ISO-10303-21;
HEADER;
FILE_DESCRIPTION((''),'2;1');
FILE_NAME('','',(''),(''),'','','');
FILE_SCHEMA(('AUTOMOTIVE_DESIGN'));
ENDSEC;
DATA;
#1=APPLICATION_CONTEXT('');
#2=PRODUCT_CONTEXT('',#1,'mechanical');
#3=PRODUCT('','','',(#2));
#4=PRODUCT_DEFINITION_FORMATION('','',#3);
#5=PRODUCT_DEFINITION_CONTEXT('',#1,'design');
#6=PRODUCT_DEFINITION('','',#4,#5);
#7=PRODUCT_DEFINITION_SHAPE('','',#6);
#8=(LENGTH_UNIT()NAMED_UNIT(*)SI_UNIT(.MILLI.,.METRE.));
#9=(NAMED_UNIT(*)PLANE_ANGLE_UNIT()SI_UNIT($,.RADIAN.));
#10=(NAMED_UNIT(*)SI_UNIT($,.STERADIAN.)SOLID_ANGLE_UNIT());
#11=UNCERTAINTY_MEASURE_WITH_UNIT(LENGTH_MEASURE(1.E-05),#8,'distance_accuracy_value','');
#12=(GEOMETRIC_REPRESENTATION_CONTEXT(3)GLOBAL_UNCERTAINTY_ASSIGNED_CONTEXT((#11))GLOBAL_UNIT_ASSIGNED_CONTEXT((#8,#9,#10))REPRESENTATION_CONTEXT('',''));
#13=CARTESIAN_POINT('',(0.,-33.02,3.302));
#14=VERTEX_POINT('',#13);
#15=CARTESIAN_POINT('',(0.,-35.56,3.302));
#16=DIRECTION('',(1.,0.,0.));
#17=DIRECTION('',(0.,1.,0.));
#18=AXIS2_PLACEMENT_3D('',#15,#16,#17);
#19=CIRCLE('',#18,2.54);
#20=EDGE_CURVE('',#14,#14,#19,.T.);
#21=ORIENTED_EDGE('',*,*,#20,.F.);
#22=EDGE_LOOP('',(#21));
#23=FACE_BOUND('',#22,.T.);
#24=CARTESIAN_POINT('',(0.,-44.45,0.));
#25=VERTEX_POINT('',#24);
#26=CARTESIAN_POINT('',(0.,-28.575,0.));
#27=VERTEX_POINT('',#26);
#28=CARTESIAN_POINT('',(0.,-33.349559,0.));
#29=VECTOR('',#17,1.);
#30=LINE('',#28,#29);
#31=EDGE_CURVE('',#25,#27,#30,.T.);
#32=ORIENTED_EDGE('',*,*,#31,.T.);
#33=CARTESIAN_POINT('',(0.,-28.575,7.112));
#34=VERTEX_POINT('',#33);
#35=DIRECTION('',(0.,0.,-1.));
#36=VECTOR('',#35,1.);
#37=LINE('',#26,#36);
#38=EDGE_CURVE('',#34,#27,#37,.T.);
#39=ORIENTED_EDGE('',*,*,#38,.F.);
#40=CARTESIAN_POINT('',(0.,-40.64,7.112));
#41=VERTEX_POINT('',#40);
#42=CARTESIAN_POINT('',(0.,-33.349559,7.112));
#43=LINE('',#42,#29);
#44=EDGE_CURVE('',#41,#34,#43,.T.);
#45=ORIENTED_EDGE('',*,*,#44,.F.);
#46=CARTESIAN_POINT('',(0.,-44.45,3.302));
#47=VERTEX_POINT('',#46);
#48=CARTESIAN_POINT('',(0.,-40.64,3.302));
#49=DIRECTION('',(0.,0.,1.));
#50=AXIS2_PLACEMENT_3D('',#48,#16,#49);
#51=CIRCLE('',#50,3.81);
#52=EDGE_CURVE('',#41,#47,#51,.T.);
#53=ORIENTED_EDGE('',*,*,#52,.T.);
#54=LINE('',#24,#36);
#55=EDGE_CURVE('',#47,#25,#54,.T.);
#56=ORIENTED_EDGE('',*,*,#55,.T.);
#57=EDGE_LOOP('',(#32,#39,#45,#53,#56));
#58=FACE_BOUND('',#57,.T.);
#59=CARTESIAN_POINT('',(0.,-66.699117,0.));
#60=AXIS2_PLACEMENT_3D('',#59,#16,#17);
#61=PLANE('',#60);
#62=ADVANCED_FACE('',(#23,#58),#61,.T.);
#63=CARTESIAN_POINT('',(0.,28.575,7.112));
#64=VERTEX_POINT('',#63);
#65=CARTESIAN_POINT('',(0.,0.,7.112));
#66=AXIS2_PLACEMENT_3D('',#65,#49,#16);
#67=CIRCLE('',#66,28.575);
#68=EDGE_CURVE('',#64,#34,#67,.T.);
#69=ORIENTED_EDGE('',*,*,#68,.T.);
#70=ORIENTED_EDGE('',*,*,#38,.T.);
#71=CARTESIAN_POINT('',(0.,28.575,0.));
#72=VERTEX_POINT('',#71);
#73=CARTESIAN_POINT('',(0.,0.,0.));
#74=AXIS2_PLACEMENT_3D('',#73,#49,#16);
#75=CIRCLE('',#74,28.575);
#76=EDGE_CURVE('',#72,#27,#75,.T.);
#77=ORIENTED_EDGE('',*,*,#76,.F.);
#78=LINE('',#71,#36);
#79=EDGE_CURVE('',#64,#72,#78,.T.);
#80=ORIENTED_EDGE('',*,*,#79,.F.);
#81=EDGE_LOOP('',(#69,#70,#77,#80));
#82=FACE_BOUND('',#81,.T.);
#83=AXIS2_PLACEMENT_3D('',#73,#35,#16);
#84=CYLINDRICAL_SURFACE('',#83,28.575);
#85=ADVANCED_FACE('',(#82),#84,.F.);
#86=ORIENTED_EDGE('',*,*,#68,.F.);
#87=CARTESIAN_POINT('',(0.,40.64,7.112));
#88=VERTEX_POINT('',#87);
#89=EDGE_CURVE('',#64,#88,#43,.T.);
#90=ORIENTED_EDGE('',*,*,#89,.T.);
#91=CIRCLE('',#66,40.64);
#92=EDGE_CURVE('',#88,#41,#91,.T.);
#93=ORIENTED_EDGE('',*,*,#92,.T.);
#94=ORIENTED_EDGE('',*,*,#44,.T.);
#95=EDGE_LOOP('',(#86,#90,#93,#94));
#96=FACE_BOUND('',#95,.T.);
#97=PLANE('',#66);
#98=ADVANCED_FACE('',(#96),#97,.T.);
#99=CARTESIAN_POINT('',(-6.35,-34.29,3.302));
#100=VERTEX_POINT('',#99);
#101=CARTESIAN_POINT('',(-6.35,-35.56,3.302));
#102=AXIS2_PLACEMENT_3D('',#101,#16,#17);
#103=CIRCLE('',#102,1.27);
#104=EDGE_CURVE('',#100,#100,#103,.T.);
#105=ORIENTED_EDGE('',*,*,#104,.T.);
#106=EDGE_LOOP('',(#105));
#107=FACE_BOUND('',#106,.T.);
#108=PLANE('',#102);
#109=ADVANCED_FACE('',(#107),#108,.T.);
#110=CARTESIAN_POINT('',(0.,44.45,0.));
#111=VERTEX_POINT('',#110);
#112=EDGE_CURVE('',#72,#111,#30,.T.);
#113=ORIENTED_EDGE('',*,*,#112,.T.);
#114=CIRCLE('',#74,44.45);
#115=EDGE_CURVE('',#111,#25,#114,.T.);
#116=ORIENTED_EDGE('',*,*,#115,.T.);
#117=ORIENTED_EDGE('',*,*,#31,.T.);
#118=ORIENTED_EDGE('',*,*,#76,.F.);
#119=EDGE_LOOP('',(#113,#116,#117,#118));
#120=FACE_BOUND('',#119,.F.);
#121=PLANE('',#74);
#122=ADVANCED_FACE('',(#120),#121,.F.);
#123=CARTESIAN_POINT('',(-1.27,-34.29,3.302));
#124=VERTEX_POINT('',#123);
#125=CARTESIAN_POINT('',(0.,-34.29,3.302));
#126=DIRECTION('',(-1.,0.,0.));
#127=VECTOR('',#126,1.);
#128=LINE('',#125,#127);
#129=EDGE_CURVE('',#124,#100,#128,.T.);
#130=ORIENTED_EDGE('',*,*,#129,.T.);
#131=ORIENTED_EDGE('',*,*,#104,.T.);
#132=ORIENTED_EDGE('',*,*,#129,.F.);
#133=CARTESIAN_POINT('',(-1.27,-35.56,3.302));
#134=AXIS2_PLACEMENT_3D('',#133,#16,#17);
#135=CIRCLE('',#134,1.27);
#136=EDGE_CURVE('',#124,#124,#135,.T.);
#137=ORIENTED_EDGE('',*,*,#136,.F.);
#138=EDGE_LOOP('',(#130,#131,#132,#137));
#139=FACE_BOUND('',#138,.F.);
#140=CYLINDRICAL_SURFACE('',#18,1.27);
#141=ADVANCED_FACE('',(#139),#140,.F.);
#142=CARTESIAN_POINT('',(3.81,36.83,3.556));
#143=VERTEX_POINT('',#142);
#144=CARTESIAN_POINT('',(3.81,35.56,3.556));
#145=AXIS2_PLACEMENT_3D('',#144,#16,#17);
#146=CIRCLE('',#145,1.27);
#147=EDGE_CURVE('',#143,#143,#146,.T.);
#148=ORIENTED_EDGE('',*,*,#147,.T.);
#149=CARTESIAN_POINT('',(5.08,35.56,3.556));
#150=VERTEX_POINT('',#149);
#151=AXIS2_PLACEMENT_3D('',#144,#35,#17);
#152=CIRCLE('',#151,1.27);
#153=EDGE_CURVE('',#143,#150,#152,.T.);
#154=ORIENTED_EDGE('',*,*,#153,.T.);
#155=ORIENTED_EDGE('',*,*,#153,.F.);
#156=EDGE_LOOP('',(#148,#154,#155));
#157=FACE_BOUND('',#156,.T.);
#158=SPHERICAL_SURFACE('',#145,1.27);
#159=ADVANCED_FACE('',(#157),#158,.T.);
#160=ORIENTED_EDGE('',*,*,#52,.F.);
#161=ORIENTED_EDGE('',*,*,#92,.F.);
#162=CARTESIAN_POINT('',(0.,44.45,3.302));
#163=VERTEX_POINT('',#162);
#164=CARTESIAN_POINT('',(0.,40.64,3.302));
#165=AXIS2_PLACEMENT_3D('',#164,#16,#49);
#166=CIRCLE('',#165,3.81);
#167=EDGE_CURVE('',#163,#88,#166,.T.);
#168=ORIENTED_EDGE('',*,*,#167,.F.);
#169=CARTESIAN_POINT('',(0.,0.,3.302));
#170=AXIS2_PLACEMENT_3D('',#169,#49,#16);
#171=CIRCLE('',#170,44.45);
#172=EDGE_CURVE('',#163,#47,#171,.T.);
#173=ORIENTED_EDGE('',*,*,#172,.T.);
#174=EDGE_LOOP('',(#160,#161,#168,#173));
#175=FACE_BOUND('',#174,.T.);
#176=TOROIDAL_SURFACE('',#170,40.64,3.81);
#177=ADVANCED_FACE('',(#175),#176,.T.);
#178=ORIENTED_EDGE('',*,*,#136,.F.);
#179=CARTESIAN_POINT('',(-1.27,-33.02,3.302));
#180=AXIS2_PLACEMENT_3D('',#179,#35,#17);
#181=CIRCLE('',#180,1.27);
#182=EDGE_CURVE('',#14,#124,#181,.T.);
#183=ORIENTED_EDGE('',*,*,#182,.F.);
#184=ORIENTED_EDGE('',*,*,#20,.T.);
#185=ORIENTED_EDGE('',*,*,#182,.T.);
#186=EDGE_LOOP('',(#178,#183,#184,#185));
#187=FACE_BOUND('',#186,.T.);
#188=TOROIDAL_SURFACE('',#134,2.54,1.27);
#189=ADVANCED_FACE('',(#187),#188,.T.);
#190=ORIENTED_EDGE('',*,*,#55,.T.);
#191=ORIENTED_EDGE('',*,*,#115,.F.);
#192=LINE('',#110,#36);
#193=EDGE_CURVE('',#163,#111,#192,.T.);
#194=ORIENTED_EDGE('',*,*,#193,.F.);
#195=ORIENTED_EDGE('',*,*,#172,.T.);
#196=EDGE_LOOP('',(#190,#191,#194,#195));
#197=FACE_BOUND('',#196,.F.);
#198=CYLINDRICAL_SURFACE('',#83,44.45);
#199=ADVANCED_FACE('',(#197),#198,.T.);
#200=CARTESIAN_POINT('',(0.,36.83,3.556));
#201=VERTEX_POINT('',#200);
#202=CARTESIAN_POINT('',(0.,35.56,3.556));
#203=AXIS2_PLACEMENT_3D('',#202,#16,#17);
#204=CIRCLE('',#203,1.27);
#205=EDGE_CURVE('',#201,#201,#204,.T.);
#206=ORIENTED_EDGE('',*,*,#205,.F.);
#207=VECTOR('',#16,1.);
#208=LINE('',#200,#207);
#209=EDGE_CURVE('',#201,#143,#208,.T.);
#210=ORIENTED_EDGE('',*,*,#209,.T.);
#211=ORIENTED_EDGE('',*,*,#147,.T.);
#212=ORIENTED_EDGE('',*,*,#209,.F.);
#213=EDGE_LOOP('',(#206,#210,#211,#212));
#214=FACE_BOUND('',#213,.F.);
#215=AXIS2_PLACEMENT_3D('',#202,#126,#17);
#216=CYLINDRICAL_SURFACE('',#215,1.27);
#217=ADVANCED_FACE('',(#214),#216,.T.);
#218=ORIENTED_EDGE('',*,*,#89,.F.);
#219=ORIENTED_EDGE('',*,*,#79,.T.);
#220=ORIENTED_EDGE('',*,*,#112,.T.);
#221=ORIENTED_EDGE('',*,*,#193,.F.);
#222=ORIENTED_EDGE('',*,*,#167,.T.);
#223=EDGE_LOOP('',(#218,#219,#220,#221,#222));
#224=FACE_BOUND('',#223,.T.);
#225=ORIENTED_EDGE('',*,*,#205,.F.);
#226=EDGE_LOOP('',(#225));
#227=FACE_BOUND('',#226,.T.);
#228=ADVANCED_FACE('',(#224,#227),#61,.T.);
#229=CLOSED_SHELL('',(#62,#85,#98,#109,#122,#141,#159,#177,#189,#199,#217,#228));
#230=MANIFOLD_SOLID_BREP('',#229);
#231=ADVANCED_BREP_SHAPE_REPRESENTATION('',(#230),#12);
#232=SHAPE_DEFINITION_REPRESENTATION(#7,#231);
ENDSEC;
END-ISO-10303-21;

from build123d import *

# Parameters (mm, degrees)
F0_R     = 44.45
F0_R_2   = 28.575
F1_DEPTH = 7.112
F2_R     = 3.81
F3_W     = 80.1546871662
F3_H     = 130.5045634508
F4_DEPTH = 12.7
F6_R     = 1.27
F7_DEPTH = 5.08
F5_R     = 1.27
F8_DEPTH = 6.35
F9_R     = 1.27


with BuildPart() as f1:
    # F0 (on Top) → F1 (new body)
    with BuildSketch(Plane.XY):
        Circle(F0_R)
        Circle(F0_R_2, mode=Mode.SUBTRACT)
    extrude(amount=F1_DEPTH)

    # F2
    f2_edges = [f1.edges().sort_by_distance(p)[0] for p in [
        (-44.45, 0, 7.112),
    ]]
    fillet(f2_edges, radius=F2_R)

    # F3 (on Top) → F4 (cut, symmetric)
    with BuildSketch(Plane.XY):
        with Locations((40.0773435831, -1.4468356967)):
            Rectangle(F3_W, F3_H)
    extrude(amount=F4_DEPTH, both=True, mode=Mode.SUBTRACT)

    # F6 (on face) → F7 (join)
    with BuildSketch(Plane.YZ):
        with Locations((35.56, 3.556)):
            Circle(F6_R)
    extrude(amount=F7_DEPTH)

    # F5 (on face) → F8 (cut)
    with BuildSketch(Plane.YZ):
        with Locations((-35.56, 3.302)):
            Circle(F5_R)
    extrude(amount=-F8_DEPTH, mode=Mode.SUBTRACT)

    # F9
    f9_edges = [f1.edges().sort_by_distance(p)[0] for p in [
        (5.08, 34.29, 3.556),
        (0, -36.83, 3.302),
    ]]
    fillet(f9_edges, radius=F9_R)


solid = f1.part
